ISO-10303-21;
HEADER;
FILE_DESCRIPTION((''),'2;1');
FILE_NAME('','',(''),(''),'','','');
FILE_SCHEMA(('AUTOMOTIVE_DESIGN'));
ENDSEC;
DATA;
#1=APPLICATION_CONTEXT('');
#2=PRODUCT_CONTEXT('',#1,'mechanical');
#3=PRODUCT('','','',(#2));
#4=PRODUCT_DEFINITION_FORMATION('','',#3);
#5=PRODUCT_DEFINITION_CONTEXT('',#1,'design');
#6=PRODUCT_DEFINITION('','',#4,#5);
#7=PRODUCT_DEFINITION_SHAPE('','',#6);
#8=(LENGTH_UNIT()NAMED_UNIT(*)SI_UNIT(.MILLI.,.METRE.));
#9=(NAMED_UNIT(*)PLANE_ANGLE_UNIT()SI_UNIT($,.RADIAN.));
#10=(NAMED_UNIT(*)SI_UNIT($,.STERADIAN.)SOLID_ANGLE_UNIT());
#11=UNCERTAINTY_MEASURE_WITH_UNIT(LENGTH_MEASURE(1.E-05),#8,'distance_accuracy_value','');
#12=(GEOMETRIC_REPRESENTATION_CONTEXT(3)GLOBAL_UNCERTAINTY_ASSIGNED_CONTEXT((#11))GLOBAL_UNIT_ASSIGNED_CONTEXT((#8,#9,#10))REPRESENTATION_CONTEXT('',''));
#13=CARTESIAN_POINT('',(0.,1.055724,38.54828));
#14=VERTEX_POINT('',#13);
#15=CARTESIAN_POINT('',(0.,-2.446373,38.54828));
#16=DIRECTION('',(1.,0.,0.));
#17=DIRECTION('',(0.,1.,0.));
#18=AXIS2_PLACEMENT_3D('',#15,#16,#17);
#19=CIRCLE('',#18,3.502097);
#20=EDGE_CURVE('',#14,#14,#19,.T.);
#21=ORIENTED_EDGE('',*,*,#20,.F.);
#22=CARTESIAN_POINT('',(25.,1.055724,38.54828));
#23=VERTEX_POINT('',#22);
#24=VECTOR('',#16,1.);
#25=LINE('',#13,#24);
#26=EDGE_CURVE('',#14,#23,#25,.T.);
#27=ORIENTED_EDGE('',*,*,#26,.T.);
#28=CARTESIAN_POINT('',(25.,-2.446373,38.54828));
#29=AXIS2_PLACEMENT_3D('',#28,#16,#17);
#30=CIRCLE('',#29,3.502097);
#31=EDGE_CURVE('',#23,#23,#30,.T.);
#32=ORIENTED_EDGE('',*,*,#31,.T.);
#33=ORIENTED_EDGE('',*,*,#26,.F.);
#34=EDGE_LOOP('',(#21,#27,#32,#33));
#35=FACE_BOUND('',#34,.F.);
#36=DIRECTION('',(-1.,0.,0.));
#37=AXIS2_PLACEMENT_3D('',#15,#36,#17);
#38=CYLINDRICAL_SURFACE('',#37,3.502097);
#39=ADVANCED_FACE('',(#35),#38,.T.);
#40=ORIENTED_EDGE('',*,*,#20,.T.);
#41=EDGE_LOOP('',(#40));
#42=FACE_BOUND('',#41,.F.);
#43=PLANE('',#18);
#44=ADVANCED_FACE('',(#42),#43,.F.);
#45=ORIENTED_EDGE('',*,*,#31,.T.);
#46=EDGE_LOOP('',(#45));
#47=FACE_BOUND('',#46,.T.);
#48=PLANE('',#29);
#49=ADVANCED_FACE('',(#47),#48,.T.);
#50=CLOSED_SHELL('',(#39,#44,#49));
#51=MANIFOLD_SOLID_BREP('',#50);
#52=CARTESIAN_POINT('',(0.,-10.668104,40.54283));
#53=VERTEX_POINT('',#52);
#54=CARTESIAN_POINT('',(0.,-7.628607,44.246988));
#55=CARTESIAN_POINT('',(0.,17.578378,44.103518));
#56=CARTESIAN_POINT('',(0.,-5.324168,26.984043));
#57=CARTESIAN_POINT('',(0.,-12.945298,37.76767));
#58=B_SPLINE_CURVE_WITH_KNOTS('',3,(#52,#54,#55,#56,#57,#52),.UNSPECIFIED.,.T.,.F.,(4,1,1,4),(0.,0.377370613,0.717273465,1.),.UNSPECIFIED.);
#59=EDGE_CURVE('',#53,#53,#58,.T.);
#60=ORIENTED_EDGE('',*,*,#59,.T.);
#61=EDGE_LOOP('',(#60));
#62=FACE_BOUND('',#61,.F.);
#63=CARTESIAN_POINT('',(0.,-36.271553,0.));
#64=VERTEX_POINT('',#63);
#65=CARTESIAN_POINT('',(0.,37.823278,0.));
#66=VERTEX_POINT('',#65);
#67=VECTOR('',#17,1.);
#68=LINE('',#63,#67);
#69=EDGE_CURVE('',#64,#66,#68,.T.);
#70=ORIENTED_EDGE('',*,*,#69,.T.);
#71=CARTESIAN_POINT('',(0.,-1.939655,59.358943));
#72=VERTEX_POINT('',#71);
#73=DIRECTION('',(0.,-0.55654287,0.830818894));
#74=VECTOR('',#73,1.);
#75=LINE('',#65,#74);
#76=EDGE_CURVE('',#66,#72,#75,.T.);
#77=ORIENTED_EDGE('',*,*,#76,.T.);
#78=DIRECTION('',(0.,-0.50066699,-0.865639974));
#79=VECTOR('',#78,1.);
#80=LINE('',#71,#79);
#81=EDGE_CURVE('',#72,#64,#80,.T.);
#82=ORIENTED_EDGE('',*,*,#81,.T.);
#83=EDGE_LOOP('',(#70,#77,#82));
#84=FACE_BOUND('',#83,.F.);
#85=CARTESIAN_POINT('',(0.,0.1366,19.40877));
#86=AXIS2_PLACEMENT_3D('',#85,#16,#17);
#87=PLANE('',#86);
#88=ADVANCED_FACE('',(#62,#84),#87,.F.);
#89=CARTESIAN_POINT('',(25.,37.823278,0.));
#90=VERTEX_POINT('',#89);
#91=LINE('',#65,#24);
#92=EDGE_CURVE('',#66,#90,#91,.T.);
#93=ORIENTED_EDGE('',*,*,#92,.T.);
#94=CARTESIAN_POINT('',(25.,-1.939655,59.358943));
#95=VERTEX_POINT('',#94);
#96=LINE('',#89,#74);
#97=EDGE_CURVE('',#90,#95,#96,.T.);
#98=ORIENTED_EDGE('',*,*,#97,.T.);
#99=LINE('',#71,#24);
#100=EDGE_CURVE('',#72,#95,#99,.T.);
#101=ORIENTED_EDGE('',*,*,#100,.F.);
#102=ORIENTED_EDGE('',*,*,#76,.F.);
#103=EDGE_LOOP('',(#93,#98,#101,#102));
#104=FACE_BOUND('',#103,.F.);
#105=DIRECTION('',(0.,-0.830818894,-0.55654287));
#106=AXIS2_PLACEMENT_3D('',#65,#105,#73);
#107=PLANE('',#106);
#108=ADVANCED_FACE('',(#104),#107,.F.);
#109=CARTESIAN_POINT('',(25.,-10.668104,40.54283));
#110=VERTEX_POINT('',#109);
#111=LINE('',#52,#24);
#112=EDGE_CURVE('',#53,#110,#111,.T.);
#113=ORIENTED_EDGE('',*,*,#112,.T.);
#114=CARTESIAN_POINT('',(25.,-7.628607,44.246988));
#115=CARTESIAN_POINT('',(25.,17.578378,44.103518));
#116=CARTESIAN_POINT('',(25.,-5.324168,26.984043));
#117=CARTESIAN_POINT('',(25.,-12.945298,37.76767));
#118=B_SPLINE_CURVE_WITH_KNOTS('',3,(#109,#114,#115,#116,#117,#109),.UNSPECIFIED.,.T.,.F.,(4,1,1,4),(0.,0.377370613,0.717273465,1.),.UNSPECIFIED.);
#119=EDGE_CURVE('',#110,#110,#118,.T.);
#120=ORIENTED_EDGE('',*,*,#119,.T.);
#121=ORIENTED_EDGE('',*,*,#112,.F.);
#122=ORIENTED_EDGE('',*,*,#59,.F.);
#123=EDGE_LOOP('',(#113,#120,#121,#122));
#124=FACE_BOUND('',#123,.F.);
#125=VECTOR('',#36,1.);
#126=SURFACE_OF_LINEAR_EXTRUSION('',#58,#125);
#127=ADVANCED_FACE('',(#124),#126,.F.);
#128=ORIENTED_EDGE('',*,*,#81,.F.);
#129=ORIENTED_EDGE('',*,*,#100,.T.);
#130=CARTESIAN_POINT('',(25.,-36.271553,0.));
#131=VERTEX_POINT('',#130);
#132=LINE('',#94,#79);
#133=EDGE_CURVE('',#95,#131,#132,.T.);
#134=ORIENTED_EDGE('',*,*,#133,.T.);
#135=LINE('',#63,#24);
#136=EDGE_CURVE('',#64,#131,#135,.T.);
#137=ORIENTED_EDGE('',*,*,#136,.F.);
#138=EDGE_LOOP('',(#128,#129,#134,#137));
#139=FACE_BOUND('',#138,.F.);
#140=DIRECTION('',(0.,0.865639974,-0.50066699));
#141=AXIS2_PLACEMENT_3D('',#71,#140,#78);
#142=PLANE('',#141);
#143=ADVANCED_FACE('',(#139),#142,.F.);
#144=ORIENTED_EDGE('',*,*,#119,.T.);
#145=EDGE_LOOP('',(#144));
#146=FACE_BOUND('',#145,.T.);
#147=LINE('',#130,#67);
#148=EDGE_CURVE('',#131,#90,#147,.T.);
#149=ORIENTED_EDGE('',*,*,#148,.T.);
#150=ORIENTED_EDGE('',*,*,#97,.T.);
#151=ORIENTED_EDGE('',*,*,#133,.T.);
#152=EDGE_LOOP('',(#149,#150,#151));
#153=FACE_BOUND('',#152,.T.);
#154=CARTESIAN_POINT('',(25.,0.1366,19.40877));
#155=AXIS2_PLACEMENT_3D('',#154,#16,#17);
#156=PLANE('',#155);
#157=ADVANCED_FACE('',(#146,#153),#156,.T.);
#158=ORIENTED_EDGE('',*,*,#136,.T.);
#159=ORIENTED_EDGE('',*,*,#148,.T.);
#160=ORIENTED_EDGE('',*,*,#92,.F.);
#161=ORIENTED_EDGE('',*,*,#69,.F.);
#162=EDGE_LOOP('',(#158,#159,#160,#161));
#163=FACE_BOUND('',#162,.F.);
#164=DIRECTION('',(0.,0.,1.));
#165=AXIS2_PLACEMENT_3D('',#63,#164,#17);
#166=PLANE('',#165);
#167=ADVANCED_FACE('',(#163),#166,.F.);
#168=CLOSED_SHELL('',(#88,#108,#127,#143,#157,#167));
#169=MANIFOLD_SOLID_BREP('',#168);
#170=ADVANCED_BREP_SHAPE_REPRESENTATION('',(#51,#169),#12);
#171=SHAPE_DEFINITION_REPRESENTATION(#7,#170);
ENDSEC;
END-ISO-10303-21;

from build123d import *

# Parameters (mm, degrees)
F1_DEPTH = 25
F2_R     = 3.5020969803
F3_DEPTH = 25


with BuildPart() as f1:
    # F0 (on Right) → F1 (new body)
    with BuildSketch(Plane.YZ):
        Polygon((-1.9396552816, 59.3589432538), (-36.2715534866, 0), (37.8232784569, 0), align=None)
        with BuildLine():
            add(Edge.make_bspline(
                [(-10.6681035832, 40.5428297818), (-7.6286068887, 44.2469875954), (17.5783776514, 44.1035182674), (-5.3241676234, 26.984043361), (-12.9452983093, 37.7676701135), (-10.6681035832, 40.5428297818)],
                knots=[0, 0, 0, 0, 0.3773706127, 0.7172734648, 1, 1, 1, 1], degree=3))
        make_face(mode=Mode.SUBTRACT)
    extrude(amount=F1_DEPTH)


with BuildPart() as f3:
    # F2 (on Right) → F3 (new body)
    with BuildSketch(Plane.YZ):
        with Locations((-2.4463732261, 38.5482795537)):
            Circle(F2_R)
    extrude(amount=F3_DEPTH)


solid = Compound([f1.part, f3.part])
